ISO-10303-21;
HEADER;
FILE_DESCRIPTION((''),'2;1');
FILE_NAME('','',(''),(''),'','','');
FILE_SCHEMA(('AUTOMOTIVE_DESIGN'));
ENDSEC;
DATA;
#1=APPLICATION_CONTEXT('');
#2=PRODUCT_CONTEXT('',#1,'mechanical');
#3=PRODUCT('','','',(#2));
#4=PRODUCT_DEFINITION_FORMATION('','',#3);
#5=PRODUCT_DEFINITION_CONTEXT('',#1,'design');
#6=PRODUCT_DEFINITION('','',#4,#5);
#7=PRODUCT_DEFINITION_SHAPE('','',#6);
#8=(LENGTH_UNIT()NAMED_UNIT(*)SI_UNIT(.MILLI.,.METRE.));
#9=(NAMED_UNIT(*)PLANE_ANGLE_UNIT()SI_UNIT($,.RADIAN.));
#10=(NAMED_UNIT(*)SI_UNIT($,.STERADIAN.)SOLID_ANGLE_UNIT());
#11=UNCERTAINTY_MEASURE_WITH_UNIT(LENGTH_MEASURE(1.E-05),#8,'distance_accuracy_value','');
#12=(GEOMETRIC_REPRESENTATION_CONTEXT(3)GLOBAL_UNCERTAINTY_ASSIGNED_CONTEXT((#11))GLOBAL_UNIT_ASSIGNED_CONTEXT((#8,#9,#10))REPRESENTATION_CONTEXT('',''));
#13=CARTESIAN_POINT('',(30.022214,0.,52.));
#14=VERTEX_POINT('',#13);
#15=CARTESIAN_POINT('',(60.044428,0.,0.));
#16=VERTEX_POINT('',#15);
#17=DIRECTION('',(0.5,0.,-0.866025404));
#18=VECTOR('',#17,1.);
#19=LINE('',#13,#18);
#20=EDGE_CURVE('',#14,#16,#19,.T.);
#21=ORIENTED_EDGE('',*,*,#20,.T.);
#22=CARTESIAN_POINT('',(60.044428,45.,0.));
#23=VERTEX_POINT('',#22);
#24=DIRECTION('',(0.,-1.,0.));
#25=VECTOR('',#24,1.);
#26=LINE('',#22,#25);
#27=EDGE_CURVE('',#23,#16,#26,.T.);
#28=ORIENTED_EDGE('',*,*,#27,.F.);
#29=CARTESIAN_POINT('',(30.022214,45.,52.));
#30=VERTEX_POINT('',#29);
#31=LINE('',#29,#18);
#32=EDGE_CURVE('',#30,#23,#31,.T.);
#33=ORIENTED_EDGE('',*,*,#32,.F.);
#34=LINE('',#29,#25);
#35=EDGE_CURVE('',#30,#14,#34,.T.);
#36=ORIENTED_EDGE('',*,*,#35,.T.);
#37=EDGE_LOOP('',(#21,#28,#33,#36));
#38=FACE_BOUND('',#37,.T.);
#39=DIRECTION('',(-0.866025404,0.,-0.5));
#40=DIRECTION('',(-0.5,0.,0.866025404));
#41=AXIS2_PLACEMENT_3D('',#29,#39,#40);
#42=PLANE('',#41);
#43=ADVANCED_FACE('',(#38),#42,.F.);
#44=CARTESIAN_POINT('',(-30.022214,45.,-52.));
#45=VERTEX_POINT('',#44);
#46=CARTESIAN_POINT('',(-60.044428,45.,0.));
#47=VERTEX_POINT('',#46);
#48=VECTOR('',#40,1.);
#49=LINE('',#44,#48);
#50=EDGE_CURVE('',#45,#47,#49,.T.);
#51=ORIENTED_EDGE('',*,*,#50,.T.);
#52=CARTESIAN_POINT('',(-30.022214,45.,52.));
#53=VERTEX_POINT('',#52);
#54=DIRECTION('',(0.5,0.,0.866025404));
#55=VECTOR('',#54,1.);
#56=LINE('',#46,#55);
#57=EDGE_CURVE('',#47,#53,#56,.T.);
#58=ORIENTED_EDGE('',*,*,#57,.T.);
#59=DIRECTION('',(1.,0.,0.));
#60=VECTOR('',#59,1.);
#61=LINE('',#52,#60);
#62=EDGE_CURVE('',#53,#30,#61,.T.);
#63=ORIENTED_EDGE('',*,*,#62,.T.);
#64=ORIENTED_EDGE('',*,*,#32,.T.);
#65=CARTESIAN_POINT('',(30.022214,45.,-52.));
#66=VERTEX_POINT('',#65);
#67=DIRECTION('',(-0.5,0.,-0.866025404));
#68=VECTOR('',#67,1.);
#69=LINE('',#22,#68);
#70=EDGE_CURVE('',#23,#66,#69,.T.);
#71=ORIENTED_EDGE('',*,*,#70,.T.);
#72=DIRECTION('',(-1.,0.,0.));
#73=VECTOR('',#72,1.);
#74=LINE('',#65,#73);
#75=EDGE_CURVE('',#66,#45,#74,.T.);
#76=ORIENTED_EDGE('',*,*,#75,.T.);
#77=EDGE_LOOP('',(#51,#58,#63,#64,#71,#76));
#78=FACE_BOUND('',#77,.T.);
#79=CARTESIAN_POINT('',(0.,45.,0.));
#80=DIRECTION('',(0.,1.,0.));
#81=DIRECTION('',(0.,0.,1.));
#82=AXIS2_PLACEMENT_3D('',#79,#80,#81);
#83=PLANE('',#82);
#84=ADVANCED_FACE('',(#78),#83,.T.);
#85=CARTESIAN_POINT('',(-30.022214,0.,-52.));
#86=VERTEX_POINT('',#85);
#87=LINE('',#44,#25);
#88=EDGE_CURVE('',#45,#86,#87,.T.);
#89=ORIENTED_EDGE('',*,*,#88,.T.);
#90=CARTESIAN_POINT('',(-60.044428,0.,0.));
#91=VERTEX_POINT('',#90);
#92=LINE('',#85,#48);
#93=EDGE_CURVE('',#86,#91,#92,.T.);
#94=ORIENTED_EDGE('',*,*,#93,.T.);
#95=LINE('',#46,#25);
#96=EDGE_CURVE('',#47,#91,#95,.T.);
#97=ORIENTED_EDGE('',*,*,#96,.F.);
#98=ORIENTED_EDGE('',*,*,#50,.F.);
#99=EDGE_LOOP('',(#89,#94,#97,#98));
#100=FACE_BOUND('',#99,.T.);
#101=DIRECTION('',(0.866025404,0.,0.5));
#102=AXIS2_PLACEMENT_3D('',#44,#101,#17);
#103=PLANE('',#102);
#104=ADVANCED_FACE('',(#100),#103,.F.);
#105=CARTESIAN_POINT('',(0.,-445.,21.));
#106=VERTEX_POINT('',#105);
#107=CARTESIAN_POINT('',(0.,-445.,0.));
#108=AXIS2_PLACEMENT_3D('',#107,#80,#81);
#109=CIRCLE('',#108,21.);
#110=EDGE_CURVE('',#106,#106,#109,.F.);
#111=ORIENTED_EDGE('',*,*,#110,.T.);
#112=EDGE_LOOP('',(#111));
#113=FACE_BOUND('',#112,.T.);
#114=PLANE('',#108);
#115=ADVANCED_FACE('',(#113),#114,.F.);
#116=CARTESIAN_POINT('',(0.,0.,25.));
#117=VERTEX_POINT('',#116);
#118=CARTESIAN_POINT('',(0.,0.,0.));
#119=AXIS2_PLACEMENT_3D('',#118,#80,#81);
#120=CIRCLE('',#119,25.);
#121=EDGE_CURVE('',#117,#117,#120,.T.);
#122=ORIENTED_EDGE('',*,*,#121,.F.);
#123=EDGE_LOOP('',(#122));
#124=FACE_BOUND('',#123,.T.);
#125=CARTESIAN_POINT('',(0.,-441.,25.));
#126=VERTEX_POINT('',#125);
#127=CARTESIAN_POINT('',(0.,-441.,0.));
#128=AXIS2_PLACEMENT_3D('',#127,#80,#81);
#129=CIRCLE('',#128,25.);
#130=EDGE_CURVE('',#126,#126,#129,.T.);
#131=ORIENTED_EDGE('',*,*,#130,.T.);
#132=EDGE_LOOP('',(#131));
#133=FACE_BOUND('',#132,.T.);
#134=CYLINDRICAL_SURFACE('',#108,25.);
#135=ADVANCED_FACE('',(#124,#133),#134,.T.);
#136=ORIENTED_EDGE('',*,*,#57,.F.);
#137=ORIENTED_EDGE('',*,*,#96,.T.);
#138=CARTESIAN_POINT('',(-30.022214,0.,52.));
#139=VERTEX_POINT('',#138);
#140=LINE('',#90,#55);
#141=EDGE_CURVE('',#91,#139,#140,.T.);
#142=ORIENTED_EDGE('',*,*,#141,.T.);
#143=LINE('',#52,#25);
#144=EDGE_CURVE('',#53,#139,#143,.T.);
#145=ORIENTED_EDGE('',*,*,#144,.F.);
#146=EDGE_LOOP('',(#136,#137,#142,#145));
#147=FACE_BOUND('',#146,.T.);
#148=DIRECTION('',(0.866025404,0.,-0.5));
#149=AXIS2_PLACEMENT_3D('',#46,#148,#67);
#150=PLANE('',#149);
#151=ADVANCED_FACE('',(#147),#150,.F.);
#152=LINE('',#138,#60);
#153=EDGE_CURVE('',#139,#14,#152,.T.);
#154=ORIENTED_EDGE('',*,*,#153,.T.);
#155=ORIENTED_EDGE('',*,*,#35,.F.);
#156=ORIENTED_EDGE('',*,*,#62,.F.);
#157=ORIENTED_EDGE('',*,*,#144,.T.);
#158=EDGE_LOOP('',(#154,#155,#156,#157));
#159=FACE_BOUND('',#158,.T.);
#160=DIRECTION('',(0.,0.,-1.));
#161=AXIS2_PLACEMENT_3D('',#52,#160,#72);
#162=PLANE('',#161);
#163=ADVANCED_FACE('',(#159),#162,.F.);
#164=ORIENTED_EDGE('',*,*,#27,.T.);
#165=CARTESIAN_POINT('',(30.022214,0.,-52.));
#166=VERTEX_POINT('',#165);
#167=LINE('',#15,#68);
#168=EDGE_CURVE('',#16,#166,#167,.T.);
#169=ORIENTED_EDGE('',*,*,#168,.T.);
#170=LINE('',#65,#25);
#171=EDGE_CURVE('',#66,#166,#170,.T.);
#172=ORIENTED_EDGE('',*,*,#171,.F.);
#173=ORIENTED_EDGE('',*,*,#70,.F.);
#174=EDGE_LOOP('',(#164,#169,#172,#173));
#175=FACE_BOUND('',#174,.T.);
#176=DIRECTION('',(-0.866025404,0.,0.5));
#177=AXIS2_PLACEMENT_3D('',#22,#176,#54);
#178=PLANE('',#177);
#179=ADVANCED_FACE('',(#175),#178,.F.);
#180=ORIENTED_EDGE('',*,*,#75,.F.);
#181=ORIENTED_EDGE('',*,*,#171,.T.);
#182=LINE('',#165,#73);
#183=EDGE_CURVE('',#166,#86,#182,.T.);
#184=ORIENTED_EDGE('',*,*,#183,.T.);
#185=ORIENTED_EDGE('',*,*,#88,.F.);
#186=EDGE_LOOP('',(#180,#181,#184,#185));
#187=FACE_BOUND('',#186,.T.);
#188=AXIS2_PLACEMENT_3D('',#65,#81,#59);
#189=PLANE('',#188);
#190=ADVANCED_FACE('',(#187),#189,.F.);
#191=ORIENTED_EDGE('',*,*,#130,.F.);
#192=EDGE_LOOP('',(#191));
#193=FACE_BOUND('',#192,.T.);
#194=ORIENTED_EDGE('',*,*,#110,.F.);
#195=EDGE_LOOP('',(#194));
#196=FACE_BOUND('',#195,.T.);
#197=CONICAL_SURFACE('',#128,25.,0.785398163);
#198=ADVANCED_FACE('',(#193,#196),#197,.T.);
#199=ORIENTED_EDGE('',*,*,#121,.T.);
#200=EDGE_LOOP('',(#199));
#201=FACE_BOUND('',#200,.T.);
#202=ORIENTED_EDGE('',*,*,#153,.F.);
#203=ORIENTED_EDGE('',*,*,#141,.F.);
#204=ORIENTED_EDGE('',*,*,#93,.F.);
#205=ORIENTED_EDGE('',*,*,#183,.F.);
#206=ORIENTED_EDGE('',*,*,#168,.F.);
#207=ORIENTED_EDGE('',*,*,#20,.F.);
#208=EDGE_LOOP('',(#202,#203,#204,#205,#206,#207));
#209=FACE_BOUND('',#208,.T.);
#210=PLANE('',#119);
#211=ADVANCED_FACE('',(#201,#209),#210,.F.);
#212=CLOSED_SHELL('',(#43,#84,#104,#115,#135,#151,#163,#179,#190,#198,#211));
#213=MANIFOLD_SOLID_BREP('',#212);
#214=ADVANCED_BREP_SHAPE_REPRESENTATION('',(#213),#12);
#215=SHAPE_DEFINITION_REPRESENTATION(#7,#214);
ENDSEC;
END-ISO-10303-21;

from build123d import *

# Parameters (mm, degrees)
SKETCH2_R                = 25
BOSS_EXTRUDE1_DEPTH      = 45
BOSS_EXTRUDE2_DEPTH      = 45
BOSS_EXTRUDE2_DEPTH_BACK = 445
SKETCH2_3_R              = 25
CHAMFER1_SIZE            = 4


with BuildPart() as part:
    # Sketch2 → Boss-Extrude1 (new body)
    with BuildSketch(Plane(origin=(0, 0, 0), x_dir=(1, 0, 0), z_dir=(0, 1, 0))):
        Polygon((60.044427996, 0), (30.022213998, 52), (-30.022213998, 52), (-60.044427996, 0), (-30.022213998, -52), (30.022213998, -52), align=None)
        Circle(SKETCH2_R, mode=Mode.SUBTRACT)
    extrude(amount=BOSS_EXTRUDE1_DEPTH)

    # Sketch2<3> → Boss-Extrude2 (add, two sides: drawn at the far end of the back side and taken through both)
    with BuildSketch(Plane(origin=(0, 0, 0), x_dir=(1, 0, 0), z_dir=(0, 1, 0)).offset(-BOSS_EXTRUDE2_DEPTH_BACK)):
        Circle(SKETCH2_3_R)
    extrude(amount=BOSS_EXTRUDE2_DEPTH + BOSS_EXTRUDE2_DEPTH_BACK)

    # Chamfer1
    chamfer1_edges = [part.edges().sort_by_distance(p)[0] for p in [
        (-25, -445, 0),
    ]]
    chamfer(chamfer1_edges, length=CHAMFER1_SIZE)


solid = part.part
